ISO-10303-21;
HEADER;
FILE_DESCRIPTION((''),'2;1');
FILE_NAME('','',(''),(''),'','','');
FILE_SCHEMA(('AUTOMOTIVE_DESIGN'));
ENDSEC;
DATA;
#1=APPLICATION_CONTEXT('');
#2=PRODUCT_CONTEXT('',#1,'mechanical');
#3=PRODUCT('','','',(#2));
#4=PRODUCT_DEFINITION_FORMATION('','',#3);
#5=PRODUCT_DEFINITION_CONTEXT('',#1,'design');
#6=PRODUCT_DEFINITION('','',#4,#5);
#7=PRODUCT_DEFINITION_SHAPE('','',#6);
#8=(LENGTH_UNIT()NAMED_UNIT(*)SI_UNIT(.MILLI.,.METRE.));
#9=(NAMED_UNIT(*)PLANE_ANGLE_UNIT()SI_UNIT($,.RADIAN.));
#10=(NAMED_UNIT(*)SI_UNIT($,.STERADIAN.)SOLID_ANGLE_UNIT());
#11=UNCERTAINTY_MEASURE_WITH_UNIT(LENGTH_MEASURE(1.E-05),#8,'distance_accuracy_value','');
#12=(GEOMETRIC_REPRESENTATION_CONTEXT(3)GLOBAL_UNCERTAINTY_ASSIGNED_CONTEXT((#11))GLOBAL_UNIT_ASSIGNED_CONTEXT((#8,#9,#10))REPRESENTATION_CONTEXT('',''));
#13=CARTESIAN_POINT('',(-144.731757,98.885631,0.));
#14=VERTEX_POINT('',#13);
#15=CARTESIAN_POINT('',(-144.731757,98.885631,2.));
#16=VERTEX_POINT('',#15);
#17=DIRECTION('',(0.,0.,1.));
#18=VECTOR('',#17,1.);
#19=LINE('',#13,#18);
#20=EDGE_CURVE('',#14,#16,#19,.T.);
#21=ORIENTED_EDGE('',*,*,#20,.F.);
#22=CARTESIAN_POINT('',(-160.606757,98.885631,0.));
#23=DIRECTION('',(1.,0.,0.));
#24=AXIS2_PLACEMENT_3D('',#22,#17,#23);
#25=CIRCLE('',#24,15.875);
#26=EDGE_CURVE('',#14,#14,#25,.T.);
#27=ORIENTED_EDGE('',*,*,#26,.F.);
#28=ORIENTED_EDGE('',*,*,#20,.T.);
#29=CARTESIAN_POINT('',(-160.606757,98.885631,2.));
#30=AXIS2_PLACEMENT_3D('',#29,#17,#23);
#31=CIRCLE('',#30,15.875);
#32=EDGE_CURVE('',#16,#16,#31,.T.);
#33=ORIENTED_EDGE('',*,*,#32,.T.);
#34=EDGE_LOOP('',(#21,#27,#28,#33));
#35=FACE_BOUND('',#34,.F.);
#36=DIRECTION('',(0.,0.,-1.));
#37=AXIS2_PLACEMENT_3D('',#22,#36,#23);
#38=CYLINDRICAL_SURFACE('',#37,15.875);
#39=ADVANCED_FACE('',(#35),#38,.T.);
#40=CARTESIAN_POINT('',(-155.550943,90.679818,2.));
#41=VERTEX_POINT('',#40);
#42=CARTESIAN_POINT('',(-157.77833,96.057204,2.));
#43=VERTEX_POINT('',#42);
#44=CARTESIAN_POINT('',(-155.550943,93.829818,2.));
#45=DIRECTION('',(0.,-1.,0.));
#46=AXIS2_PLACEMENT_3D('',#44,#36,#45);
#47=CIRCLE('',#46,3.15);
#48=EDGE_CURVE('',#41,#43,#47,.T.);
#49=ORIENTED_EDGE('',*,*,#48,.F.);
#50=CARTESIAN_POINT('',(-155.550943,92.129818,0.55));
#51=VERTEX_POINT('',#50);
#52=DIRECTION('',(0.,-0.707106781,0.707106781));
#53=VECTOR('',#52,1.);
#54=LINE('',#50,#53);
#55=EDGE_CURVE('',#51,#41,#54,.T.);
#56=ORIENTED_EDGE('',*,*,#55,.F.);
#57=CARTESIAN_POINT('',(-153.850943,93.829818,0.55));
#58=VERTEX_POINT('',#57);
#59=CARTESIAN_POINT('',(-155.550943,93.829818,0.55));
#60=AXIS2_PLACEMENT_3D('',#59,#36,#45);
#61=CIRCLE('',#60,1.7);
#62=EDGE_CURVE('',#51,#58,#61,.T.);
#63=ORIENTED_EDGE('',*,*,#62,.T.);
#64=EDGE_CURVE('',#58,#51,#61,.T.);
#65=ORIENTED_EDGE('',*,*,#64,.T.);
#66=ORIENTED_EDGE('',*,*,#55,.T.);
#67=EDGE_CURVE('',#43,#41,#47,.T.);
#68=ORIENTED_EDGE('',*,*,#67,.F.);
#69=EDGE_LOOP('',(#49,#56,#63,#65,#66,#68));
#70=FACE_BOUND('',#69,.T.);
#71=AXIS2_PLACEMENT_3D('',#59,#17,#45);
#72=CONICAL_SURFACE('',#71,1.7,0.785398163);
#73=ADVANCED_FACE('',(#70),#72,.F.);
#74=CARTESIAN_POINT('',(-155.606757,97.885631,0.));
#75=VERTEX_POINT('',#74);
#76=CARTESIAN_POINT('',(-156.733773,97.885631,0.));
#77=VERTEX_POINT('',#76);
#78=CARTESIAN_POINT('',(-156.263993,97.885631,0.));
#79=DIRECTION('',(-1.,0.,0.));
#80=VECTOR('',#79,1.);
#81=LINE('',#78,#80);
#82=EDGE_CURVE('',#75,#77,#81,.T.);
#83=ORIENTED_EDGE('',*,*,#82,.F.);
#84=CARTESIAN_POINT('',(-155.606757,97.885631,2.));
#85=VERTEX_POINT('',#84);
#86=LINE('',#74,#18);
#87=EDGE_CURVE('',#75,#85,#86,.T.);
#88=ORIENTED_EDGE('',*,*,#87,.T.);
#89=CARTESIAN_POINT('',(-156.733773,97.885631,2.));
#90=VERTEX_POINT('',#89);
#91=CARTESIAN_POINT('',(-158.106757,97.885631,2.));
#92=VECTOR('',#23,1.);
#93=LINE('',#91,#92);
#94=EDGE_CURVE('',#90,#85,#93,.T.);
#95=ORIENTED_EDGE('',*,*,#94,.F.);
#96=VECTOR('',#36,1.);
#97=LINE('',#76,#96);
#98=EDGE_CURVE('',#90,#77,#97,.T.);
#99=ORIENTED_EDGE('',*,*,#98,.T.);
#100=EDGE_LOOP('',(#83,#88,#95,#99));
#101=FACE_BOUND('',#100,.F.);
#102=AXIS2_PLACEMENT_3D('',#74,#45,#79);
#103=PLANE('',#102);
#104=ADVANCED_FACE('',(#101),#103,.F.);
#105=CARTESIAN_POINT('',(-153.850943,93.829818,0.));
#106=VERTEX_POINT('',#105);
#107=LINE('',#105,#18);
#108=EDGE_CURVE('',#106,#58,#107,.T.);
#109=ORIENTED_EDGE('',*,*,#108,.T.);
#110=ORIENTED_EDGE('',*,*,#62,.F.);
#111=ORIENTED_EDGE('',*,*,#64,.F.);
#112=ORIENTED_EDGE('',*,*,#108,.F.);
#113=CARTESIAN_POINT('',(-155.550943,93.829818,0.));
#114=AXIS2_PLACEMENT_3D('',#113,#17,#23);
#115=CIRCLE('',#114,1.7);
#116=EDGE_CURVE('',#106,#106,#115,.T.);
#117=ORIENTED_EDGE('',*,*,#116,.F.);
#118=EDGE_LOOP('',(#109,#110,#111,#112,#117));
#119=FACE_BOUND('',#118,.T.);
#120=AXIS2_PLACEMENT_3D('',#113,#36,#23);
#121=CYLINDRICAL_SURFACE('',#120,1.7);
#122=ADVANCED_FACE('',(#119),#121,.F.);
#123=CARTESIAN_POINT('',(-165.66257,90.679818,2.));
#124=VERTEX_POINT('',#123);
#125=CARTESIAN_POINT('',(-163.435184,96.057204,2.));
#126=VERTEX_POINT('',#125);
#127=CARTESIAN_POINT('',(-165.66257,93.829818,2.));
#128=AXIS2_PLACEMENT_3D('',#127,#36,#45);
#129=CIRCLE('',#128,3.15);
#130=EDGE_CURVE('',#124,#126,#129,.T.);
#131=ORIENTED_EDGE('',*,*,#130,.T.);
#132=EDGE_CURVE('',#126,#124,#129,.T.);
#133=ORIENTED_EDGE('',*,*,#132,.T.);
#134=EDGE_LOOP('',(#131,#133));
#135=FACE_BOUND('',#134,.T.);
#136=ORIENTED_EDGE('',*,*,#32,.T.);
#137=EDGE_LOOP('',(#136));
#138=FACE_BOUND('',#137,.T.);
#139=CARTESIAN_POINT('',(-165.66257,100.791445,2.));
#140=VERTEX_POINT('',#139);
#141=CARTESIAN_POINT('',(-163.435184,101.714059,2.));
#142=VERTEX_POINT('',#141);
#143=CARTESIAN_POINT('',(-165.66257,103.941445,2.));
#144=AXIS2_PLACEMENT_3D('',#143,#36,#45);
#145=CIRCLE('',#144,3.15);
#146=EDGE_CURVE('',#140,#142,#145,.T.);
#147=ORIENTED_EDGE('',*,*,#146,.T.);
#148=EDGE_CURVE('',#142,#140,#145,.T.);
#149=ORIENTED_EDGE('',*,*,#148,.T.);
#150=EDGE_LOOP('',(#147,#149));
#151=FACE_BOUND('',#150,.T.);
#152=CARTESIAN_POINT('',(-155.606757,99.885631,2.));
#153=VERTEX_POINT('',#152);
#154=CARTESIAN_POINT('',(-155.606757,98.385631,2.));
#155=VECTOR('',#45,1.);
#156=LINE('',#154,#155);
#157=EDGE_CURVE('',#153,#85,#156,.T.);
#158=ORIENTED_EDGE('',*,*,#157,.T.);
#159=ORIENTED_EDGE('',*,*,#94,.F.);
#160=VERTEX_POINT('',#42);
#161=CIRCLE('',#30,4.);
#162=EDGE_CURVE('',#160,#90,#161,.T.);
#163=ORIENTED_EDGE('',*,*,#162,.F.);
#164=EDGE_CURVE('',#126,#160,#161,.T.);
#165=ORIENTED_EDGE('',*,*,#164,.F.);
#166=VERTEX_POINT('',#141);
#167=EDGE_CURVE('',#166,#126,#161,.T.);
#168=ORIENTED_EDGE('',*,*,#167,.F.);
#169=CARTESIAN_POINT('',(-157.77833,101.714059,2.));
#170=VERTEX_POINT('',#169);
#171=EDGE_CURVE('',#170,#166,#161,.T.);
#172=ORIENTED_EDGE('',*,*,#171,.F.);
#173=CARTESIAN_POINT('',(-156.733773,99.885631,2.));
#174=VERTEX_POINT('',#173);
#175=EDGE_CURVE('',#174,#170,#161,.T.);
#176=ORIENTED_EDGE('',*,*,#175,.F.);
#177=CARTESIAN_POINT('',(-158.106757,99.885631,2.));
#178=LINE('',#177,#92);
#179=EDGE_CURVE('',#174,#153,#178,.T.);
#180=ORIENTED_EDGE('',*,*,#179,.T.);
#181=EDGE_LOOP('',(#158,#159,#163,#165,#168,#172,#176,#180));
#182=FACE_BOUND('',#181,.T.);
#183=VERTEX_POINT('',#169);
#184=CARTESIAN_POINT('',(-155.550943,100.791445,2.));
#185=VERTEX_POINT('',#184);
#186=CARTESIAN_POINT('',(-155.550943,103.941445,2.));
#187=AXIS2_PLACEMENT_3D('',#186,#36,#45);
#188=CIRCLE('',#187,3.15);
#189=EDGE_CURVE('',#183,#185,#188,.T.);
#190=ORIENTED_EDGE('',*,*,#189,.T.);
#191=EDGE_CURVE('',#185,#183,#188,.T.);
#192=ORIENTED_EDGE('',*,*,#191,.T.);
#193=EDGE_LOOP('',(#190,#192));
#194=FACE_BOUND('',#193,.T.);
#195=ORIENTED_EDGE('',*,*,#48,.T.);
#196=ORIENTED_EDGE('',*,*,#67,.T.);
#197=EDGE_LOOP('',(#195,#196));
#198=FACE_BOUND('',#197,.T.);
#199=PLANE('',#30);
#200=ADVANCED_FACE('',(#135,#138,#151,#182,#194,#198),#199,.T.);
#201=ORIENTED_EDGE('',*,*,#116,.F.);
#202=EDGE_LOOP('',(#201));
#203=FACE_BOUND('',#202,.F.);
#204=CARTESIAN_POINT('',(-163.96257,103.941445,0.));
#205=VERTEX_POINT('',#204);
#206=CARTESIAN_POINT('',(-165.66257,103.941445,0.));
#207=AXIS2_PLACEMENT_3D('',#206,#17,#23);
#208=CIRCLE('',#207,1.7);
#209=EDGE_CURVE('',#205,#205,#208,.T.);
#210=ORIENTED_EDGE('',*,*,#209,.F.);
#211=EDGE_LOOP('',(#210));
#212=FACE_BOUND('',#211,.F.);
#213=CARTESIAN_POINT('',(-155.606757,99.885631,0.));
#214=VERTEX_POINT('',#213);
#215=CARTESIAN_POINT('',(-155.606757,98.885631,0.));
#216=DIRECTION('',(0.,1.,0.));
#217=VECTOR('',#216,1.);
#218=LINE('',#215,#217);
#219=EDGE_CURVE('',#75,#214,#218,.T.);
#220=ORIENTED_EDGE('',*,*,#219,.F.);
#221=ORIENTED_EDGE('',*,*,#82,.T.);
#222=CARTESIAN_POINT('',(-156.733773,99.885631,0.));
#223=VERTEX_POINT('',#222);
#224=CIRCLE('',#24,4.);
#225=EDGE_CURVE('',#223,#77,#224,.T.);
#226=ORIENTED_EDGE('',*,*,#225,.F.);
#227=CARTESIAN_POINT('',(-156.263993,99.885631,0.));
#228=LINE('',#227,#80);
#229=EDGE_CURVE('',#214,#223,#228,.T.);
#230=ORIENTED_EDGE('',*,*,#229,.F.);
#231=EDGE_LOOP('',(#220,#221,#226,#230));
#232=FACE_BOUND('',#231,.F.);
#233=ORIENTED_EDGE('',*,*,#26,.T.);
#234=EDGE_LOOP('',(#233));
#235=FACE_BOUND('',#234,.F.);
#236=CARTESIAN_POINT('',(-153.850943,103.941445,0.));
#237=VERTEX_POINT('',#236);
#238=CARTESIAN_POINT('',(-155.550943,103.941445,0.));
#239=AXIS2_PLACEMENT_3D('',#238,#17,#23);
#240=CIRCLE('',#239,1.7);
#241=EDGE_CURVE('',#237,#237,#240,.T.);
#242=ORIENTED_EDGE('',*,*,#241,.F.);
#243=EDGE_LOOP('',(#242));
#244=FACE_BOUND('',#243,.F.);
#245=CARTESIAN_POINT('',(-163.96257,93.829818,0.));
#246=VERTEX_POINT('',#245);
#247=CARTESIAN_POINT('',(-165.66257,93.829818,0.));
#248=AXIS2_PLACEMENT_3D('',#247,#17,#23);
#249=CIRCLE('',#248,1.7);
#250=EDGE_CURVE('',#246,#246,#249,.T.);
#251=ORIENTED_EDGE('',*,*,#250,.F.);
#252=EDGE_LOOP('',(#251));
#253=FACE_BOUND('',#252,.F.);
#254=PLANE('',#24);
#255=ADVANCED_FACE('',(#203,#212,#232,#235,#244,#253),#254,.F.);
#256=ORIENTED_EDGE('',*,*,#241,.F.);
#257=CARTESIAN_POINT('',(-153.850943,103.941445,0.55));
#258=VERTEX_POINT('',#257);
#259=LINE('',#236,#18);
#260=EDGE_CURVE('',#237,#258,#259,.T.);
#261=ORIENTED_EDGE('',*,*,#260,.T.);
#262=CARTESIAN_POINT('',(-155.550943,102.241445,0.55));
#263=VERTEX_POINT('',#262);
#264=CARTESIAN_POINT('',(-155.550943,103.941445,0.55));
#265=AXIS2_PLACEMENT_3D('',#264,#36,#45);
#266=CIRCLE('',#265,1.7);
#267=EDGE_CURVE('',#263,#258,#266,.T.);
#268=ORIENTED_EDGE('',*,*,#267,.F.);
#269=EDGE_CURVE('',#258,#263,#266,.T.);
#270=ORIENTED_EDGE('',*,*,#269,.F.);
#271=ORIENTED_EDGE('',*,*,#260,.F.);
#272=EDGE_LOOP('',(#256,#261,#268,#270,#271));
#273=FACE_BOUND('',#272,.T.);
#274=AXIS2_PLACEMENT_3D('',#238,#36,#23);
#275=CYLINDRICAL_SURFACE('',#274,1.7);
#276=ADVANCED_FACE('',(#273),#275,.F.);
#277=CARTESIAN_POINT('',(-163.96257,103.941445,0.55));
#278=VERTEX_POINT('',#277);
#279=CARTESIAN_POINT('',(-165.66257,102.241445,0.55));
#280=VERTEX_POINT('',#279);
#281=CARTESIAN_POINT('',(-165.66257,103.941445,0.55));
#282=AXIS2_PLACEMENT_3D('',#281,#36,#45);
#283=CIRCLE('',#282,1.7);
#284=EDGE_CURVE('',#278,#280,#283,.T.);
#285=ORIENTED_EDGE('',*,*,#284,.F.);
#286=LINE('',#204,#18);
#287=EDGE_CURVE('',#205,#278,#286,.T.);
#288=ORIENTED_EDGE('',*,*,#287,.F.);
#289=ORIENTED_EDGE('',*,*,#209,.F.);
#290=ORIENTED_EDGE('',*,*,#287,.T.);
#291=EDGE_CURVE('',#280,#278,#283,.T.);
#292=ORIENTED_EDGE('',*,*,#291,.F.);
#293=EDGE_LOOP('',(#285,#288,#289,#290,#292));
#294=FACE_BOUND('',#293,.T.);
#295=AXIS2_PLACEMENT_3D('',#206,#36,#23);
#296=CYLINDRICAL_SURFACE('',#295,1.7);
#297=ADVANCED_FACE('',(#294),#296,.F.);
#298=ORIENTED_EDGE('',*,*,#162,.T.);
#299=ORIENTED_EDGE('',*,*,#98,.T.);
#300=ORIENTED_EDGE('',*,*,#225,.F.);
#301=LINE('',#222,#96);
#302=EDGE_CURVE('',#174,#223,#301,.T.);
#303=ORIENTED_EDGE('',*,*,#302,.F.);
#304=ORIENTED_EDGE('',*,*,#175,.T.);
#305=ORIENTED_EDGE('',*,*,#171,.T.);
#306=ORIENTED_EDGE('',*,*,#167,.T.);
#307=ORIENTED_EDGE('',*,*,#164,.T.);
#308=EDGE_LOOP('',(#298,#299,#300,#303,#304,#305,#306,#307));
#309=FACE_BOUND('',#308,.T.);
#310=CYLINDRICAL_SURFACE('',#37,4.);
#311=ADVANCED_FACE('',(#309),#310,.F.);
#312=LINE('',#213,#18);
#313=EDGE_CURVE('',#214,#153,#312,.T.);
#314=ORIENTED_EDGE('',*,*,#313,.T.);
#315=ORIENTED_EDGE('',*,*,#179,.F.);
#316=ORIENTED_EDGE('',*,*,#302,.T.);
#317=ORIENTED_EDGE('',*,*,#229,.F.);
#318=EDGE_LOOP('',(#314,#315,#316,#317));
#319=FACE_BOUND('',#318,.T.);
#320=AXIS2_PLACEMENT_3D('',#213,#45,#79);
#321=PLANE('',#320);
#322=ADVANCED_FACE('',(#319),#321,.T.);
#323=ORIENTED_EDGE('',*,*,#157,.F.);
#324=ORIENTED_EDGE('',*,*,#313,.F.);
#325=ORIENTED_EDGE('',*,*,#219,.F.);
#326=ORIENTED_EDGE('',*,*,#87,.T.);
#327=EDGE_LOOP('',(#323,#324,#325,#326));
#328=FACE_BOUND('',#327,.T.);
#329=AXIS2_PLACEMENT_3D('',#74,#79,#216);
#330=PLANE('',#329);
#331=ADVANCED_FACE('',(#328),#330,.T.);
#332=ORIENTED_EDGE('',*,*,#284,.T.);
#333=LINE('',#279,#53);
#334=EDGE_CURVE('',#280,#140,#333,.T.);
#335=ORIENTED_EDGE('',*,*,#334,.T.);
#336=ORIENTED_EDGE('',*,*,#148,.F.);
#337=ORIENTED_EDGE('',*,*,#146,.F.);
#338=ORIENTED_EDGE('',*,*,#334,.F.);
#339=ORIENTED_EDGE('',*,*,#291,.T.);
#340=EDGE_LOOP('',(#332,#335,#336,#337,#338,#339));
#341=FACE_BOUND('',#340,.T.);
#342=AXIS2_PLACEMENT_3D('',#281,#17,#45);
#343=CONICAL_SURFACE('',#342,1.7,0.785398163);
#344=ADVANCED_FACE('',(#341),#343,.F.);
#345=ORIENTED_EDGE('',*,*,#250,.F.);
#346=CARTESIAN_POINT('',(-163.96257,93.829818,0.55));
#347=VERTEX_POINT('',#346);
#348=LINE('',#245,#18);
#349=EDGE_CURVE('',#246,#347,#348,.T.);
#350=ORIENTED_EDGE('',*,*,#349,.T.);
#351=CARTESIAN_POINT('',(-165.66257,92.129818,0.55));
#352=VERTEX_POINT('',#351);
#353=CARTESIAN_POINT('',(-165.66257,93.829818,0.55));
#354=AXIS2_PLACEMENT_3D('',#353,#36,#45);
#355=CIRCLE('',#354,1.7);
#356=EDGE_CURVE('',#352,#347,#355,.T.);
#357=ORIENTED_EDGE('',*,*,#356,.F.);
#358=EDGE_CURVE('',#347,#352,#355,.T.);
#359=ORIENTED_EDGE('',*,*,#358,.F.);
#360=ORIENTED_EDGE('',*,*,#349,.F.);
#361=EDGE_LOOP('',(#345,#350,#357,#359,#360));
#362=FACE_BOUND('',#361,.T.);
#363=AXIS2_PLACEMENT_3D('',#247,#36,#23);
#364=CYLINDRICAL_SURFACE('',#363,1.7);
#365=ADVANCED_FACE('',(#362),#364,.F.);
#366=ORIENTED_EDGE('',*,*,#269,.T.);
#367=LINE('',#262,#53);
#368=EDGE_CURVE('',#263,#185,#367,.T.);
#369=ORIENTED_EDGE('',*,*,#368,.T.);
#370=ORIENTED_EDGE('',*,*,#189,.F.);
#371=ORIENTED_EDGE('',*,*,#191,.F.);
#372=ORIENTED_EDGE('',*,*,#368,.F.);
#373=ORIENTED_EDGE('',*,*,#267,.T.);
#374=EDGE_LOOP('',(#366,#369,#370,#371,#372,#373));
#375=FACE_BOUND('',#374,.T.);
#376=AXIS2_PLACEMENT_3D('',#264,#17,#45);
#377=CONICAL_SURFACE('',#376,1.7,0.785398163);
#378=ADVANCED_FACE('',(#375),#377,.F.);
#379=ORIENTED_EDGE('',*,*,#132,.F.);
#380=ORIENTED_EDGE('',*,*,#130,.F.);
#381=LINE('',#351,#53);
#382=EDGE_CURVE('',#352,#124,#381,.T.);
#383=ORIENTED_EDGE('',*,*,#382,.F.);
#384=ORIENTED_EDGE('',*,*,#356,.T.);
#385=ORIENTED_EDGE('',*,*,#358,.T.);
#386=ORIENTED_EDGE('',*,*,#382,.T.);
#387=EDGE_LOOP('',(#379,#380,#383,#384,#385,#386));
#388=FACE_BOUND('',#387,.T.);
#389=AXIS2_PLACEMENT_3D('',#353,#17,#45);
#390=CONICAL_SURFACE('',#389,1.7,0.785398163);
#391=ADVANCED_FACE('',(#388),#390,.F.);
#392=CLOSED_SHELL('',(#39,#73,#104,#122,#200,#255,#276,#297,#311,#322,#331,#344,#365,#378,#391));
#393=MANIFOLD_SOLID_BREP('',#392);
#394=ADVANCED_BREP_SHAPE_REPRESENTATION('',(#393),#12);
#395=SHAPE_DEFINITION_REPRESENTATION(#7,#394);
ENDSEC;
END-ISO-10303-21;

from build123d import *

# Parameters (mm, degrees)
SKETCH2_R                                      = 15.875
SKETCH2_R_2                                    = 1.7
SKETCH2_R_3                                    = 4
BOSS_EXTRUDE1_DEPTH                            = 2
CSK_FOR_M3_FLAT_HEAD_MACHINE_SCREW2_AT_2_COUNT = 2
CSK_FOR_M3_FLAT_HEAD_MACHINE_SCREW2_AT_2_PITCH = 10.111626971
CSK_FOR_M3_FLAT_HEAD_MACHINE_SCREW2_AT_3_COUNT = 2
CSK_FOR_M3_FLAT_HEAD_MACHINE_SCREW2_AT_3_PITCH = 14.3
CSK_FOR_M3_FLAT_HEAD_MACHINE_SCREW2_AT_4_COUNT = 2
CSK_FOR_M3_FLAT_HEAD_MACHINE_SCREW2_AT_4_PITCH = 10.111626971
SKETCH5_W                                      = 1.314472485
SKETCH5_H                                      = 2
CUT_EXTRUDE1_DEPTH                             = 3


with BuildPart() as part:
    # Sketch2 → Boss-Extrude1 (new body)
    with BuildSketch(Plane.XY):
        with Locations((-160.606756626, 98.885631483)):
            Circle(SKETCH2_R)
        with Locations((-165.662570112, 103.941444968)):
            Circle(SKETCH2_R_2, mode=Mode.SUBTRACT)
        with Locations((-155.550943141, 103.941444968)):
            Circle(SKETCH2_R_2, mode=Mode.SUBTRACT)
        with Locations((-155.550943141, 93.829817997)):
            Circle(SKETCH2_R_2, mode=Mode.SUBTRACT)
        with Locations((-165.662570112, 93.829817997)):
            Circle(SKETCH2_R_2, mode=Mode.SUBTRACT)
        with Locations((-160.606756626, 98.885631483)):
            Circle(SKETCH2_R_3, mode=Mode.SUBTRACT)
    extrude(amount=BOSS_EXTRUDE1_DEPTH)

    # Sketch4 → CSK for M3 Flat Head Machine Screw2 (revolve, cut)
    with BuildSketch(Plane(origin=(-165.662570112, 103.941444968, 2), x_dir=(0, -1, 0), z_dir=(1, 0, 0))):
        Polygon((0, 0), (0, 2), (1.7, 2), (1.7, 1.45), (3.15, 0), align=None)
    csk_for_m3_flat_head_machine_screw2 = revolve(axis=Axis((-165.662570112, 103.941444968, 8.35), (0, 0, -1)), mode=Mode.SUBTRACT)

    # CSK for M3 Flat Head Machine Screw2 at 2: CSK for M3 Flat Head Machine Screw2 ×2
    with Locations(*[(i * CSK_FOR_M3_FLAT_HEAD_MACHINE_SCREW2_AT_2_PITCH, 0, 0) for i in range(1, CSK_FOR_M3_FLAT_HEAD_MACHINE_SCREW2_AT_2_COUNT)]):
        add(csk_for_m3_flat_head_machine_screw2, mode=Mode.SUBTRACT)

    # CSK for M3 Flat Head Machine Screw2 at 3: CSK for M3 Flat Head Machine Screw2 ×2
    with Locations(*[Vector(0.707106781, -0.707106781, 0) * (i * CSK_FOR_M3_FLAT_HEAD_MACHINE_SCREW2_AT_3_PITCH) for i in range(1, CSK_FOR_M3_FLAT_HEAD_MACHINE_SCREW2_AT_3_COUNT)]):
        add(csk_for_m3_flat_head_machine_screw2, mode=Mode.SUBTRACT)

    # CSK for M3 Flat Head Machine Screw2 at 4: CSK for M3 Flat Head Machine Screw2 ×2
    with Locations(*[(0, -i * CSK_FOR_M3_FLAT_HEAD_MACHINE_SCREW2_AT_4_PITCH, 0) for i in range(1, CSK_FOR_M3_FLAT_HEAD_MACHINE_SCREW2_AT_4_COUNT)]):
        add(csk_for_m3_flat_head_machine_screw2, mode=Mode.SUBTRACT)

    # Sketch5 → Cut-Extrude1 (cut, through all)
    with BuildSketch(Plane(origin=(0, 0, 0), x_dir=(-1, 0, 0), z_dir=(0, 0, -1))):
        with Locations((156.263992868, 98.885631483)):
            Rectangle(SKETCH5_W, SKETCH5_H)
    extrude(amount=-CUT_EXTRUDE1_DEPTH, mode=Mode.SUBTRACT)


solid = part.part
